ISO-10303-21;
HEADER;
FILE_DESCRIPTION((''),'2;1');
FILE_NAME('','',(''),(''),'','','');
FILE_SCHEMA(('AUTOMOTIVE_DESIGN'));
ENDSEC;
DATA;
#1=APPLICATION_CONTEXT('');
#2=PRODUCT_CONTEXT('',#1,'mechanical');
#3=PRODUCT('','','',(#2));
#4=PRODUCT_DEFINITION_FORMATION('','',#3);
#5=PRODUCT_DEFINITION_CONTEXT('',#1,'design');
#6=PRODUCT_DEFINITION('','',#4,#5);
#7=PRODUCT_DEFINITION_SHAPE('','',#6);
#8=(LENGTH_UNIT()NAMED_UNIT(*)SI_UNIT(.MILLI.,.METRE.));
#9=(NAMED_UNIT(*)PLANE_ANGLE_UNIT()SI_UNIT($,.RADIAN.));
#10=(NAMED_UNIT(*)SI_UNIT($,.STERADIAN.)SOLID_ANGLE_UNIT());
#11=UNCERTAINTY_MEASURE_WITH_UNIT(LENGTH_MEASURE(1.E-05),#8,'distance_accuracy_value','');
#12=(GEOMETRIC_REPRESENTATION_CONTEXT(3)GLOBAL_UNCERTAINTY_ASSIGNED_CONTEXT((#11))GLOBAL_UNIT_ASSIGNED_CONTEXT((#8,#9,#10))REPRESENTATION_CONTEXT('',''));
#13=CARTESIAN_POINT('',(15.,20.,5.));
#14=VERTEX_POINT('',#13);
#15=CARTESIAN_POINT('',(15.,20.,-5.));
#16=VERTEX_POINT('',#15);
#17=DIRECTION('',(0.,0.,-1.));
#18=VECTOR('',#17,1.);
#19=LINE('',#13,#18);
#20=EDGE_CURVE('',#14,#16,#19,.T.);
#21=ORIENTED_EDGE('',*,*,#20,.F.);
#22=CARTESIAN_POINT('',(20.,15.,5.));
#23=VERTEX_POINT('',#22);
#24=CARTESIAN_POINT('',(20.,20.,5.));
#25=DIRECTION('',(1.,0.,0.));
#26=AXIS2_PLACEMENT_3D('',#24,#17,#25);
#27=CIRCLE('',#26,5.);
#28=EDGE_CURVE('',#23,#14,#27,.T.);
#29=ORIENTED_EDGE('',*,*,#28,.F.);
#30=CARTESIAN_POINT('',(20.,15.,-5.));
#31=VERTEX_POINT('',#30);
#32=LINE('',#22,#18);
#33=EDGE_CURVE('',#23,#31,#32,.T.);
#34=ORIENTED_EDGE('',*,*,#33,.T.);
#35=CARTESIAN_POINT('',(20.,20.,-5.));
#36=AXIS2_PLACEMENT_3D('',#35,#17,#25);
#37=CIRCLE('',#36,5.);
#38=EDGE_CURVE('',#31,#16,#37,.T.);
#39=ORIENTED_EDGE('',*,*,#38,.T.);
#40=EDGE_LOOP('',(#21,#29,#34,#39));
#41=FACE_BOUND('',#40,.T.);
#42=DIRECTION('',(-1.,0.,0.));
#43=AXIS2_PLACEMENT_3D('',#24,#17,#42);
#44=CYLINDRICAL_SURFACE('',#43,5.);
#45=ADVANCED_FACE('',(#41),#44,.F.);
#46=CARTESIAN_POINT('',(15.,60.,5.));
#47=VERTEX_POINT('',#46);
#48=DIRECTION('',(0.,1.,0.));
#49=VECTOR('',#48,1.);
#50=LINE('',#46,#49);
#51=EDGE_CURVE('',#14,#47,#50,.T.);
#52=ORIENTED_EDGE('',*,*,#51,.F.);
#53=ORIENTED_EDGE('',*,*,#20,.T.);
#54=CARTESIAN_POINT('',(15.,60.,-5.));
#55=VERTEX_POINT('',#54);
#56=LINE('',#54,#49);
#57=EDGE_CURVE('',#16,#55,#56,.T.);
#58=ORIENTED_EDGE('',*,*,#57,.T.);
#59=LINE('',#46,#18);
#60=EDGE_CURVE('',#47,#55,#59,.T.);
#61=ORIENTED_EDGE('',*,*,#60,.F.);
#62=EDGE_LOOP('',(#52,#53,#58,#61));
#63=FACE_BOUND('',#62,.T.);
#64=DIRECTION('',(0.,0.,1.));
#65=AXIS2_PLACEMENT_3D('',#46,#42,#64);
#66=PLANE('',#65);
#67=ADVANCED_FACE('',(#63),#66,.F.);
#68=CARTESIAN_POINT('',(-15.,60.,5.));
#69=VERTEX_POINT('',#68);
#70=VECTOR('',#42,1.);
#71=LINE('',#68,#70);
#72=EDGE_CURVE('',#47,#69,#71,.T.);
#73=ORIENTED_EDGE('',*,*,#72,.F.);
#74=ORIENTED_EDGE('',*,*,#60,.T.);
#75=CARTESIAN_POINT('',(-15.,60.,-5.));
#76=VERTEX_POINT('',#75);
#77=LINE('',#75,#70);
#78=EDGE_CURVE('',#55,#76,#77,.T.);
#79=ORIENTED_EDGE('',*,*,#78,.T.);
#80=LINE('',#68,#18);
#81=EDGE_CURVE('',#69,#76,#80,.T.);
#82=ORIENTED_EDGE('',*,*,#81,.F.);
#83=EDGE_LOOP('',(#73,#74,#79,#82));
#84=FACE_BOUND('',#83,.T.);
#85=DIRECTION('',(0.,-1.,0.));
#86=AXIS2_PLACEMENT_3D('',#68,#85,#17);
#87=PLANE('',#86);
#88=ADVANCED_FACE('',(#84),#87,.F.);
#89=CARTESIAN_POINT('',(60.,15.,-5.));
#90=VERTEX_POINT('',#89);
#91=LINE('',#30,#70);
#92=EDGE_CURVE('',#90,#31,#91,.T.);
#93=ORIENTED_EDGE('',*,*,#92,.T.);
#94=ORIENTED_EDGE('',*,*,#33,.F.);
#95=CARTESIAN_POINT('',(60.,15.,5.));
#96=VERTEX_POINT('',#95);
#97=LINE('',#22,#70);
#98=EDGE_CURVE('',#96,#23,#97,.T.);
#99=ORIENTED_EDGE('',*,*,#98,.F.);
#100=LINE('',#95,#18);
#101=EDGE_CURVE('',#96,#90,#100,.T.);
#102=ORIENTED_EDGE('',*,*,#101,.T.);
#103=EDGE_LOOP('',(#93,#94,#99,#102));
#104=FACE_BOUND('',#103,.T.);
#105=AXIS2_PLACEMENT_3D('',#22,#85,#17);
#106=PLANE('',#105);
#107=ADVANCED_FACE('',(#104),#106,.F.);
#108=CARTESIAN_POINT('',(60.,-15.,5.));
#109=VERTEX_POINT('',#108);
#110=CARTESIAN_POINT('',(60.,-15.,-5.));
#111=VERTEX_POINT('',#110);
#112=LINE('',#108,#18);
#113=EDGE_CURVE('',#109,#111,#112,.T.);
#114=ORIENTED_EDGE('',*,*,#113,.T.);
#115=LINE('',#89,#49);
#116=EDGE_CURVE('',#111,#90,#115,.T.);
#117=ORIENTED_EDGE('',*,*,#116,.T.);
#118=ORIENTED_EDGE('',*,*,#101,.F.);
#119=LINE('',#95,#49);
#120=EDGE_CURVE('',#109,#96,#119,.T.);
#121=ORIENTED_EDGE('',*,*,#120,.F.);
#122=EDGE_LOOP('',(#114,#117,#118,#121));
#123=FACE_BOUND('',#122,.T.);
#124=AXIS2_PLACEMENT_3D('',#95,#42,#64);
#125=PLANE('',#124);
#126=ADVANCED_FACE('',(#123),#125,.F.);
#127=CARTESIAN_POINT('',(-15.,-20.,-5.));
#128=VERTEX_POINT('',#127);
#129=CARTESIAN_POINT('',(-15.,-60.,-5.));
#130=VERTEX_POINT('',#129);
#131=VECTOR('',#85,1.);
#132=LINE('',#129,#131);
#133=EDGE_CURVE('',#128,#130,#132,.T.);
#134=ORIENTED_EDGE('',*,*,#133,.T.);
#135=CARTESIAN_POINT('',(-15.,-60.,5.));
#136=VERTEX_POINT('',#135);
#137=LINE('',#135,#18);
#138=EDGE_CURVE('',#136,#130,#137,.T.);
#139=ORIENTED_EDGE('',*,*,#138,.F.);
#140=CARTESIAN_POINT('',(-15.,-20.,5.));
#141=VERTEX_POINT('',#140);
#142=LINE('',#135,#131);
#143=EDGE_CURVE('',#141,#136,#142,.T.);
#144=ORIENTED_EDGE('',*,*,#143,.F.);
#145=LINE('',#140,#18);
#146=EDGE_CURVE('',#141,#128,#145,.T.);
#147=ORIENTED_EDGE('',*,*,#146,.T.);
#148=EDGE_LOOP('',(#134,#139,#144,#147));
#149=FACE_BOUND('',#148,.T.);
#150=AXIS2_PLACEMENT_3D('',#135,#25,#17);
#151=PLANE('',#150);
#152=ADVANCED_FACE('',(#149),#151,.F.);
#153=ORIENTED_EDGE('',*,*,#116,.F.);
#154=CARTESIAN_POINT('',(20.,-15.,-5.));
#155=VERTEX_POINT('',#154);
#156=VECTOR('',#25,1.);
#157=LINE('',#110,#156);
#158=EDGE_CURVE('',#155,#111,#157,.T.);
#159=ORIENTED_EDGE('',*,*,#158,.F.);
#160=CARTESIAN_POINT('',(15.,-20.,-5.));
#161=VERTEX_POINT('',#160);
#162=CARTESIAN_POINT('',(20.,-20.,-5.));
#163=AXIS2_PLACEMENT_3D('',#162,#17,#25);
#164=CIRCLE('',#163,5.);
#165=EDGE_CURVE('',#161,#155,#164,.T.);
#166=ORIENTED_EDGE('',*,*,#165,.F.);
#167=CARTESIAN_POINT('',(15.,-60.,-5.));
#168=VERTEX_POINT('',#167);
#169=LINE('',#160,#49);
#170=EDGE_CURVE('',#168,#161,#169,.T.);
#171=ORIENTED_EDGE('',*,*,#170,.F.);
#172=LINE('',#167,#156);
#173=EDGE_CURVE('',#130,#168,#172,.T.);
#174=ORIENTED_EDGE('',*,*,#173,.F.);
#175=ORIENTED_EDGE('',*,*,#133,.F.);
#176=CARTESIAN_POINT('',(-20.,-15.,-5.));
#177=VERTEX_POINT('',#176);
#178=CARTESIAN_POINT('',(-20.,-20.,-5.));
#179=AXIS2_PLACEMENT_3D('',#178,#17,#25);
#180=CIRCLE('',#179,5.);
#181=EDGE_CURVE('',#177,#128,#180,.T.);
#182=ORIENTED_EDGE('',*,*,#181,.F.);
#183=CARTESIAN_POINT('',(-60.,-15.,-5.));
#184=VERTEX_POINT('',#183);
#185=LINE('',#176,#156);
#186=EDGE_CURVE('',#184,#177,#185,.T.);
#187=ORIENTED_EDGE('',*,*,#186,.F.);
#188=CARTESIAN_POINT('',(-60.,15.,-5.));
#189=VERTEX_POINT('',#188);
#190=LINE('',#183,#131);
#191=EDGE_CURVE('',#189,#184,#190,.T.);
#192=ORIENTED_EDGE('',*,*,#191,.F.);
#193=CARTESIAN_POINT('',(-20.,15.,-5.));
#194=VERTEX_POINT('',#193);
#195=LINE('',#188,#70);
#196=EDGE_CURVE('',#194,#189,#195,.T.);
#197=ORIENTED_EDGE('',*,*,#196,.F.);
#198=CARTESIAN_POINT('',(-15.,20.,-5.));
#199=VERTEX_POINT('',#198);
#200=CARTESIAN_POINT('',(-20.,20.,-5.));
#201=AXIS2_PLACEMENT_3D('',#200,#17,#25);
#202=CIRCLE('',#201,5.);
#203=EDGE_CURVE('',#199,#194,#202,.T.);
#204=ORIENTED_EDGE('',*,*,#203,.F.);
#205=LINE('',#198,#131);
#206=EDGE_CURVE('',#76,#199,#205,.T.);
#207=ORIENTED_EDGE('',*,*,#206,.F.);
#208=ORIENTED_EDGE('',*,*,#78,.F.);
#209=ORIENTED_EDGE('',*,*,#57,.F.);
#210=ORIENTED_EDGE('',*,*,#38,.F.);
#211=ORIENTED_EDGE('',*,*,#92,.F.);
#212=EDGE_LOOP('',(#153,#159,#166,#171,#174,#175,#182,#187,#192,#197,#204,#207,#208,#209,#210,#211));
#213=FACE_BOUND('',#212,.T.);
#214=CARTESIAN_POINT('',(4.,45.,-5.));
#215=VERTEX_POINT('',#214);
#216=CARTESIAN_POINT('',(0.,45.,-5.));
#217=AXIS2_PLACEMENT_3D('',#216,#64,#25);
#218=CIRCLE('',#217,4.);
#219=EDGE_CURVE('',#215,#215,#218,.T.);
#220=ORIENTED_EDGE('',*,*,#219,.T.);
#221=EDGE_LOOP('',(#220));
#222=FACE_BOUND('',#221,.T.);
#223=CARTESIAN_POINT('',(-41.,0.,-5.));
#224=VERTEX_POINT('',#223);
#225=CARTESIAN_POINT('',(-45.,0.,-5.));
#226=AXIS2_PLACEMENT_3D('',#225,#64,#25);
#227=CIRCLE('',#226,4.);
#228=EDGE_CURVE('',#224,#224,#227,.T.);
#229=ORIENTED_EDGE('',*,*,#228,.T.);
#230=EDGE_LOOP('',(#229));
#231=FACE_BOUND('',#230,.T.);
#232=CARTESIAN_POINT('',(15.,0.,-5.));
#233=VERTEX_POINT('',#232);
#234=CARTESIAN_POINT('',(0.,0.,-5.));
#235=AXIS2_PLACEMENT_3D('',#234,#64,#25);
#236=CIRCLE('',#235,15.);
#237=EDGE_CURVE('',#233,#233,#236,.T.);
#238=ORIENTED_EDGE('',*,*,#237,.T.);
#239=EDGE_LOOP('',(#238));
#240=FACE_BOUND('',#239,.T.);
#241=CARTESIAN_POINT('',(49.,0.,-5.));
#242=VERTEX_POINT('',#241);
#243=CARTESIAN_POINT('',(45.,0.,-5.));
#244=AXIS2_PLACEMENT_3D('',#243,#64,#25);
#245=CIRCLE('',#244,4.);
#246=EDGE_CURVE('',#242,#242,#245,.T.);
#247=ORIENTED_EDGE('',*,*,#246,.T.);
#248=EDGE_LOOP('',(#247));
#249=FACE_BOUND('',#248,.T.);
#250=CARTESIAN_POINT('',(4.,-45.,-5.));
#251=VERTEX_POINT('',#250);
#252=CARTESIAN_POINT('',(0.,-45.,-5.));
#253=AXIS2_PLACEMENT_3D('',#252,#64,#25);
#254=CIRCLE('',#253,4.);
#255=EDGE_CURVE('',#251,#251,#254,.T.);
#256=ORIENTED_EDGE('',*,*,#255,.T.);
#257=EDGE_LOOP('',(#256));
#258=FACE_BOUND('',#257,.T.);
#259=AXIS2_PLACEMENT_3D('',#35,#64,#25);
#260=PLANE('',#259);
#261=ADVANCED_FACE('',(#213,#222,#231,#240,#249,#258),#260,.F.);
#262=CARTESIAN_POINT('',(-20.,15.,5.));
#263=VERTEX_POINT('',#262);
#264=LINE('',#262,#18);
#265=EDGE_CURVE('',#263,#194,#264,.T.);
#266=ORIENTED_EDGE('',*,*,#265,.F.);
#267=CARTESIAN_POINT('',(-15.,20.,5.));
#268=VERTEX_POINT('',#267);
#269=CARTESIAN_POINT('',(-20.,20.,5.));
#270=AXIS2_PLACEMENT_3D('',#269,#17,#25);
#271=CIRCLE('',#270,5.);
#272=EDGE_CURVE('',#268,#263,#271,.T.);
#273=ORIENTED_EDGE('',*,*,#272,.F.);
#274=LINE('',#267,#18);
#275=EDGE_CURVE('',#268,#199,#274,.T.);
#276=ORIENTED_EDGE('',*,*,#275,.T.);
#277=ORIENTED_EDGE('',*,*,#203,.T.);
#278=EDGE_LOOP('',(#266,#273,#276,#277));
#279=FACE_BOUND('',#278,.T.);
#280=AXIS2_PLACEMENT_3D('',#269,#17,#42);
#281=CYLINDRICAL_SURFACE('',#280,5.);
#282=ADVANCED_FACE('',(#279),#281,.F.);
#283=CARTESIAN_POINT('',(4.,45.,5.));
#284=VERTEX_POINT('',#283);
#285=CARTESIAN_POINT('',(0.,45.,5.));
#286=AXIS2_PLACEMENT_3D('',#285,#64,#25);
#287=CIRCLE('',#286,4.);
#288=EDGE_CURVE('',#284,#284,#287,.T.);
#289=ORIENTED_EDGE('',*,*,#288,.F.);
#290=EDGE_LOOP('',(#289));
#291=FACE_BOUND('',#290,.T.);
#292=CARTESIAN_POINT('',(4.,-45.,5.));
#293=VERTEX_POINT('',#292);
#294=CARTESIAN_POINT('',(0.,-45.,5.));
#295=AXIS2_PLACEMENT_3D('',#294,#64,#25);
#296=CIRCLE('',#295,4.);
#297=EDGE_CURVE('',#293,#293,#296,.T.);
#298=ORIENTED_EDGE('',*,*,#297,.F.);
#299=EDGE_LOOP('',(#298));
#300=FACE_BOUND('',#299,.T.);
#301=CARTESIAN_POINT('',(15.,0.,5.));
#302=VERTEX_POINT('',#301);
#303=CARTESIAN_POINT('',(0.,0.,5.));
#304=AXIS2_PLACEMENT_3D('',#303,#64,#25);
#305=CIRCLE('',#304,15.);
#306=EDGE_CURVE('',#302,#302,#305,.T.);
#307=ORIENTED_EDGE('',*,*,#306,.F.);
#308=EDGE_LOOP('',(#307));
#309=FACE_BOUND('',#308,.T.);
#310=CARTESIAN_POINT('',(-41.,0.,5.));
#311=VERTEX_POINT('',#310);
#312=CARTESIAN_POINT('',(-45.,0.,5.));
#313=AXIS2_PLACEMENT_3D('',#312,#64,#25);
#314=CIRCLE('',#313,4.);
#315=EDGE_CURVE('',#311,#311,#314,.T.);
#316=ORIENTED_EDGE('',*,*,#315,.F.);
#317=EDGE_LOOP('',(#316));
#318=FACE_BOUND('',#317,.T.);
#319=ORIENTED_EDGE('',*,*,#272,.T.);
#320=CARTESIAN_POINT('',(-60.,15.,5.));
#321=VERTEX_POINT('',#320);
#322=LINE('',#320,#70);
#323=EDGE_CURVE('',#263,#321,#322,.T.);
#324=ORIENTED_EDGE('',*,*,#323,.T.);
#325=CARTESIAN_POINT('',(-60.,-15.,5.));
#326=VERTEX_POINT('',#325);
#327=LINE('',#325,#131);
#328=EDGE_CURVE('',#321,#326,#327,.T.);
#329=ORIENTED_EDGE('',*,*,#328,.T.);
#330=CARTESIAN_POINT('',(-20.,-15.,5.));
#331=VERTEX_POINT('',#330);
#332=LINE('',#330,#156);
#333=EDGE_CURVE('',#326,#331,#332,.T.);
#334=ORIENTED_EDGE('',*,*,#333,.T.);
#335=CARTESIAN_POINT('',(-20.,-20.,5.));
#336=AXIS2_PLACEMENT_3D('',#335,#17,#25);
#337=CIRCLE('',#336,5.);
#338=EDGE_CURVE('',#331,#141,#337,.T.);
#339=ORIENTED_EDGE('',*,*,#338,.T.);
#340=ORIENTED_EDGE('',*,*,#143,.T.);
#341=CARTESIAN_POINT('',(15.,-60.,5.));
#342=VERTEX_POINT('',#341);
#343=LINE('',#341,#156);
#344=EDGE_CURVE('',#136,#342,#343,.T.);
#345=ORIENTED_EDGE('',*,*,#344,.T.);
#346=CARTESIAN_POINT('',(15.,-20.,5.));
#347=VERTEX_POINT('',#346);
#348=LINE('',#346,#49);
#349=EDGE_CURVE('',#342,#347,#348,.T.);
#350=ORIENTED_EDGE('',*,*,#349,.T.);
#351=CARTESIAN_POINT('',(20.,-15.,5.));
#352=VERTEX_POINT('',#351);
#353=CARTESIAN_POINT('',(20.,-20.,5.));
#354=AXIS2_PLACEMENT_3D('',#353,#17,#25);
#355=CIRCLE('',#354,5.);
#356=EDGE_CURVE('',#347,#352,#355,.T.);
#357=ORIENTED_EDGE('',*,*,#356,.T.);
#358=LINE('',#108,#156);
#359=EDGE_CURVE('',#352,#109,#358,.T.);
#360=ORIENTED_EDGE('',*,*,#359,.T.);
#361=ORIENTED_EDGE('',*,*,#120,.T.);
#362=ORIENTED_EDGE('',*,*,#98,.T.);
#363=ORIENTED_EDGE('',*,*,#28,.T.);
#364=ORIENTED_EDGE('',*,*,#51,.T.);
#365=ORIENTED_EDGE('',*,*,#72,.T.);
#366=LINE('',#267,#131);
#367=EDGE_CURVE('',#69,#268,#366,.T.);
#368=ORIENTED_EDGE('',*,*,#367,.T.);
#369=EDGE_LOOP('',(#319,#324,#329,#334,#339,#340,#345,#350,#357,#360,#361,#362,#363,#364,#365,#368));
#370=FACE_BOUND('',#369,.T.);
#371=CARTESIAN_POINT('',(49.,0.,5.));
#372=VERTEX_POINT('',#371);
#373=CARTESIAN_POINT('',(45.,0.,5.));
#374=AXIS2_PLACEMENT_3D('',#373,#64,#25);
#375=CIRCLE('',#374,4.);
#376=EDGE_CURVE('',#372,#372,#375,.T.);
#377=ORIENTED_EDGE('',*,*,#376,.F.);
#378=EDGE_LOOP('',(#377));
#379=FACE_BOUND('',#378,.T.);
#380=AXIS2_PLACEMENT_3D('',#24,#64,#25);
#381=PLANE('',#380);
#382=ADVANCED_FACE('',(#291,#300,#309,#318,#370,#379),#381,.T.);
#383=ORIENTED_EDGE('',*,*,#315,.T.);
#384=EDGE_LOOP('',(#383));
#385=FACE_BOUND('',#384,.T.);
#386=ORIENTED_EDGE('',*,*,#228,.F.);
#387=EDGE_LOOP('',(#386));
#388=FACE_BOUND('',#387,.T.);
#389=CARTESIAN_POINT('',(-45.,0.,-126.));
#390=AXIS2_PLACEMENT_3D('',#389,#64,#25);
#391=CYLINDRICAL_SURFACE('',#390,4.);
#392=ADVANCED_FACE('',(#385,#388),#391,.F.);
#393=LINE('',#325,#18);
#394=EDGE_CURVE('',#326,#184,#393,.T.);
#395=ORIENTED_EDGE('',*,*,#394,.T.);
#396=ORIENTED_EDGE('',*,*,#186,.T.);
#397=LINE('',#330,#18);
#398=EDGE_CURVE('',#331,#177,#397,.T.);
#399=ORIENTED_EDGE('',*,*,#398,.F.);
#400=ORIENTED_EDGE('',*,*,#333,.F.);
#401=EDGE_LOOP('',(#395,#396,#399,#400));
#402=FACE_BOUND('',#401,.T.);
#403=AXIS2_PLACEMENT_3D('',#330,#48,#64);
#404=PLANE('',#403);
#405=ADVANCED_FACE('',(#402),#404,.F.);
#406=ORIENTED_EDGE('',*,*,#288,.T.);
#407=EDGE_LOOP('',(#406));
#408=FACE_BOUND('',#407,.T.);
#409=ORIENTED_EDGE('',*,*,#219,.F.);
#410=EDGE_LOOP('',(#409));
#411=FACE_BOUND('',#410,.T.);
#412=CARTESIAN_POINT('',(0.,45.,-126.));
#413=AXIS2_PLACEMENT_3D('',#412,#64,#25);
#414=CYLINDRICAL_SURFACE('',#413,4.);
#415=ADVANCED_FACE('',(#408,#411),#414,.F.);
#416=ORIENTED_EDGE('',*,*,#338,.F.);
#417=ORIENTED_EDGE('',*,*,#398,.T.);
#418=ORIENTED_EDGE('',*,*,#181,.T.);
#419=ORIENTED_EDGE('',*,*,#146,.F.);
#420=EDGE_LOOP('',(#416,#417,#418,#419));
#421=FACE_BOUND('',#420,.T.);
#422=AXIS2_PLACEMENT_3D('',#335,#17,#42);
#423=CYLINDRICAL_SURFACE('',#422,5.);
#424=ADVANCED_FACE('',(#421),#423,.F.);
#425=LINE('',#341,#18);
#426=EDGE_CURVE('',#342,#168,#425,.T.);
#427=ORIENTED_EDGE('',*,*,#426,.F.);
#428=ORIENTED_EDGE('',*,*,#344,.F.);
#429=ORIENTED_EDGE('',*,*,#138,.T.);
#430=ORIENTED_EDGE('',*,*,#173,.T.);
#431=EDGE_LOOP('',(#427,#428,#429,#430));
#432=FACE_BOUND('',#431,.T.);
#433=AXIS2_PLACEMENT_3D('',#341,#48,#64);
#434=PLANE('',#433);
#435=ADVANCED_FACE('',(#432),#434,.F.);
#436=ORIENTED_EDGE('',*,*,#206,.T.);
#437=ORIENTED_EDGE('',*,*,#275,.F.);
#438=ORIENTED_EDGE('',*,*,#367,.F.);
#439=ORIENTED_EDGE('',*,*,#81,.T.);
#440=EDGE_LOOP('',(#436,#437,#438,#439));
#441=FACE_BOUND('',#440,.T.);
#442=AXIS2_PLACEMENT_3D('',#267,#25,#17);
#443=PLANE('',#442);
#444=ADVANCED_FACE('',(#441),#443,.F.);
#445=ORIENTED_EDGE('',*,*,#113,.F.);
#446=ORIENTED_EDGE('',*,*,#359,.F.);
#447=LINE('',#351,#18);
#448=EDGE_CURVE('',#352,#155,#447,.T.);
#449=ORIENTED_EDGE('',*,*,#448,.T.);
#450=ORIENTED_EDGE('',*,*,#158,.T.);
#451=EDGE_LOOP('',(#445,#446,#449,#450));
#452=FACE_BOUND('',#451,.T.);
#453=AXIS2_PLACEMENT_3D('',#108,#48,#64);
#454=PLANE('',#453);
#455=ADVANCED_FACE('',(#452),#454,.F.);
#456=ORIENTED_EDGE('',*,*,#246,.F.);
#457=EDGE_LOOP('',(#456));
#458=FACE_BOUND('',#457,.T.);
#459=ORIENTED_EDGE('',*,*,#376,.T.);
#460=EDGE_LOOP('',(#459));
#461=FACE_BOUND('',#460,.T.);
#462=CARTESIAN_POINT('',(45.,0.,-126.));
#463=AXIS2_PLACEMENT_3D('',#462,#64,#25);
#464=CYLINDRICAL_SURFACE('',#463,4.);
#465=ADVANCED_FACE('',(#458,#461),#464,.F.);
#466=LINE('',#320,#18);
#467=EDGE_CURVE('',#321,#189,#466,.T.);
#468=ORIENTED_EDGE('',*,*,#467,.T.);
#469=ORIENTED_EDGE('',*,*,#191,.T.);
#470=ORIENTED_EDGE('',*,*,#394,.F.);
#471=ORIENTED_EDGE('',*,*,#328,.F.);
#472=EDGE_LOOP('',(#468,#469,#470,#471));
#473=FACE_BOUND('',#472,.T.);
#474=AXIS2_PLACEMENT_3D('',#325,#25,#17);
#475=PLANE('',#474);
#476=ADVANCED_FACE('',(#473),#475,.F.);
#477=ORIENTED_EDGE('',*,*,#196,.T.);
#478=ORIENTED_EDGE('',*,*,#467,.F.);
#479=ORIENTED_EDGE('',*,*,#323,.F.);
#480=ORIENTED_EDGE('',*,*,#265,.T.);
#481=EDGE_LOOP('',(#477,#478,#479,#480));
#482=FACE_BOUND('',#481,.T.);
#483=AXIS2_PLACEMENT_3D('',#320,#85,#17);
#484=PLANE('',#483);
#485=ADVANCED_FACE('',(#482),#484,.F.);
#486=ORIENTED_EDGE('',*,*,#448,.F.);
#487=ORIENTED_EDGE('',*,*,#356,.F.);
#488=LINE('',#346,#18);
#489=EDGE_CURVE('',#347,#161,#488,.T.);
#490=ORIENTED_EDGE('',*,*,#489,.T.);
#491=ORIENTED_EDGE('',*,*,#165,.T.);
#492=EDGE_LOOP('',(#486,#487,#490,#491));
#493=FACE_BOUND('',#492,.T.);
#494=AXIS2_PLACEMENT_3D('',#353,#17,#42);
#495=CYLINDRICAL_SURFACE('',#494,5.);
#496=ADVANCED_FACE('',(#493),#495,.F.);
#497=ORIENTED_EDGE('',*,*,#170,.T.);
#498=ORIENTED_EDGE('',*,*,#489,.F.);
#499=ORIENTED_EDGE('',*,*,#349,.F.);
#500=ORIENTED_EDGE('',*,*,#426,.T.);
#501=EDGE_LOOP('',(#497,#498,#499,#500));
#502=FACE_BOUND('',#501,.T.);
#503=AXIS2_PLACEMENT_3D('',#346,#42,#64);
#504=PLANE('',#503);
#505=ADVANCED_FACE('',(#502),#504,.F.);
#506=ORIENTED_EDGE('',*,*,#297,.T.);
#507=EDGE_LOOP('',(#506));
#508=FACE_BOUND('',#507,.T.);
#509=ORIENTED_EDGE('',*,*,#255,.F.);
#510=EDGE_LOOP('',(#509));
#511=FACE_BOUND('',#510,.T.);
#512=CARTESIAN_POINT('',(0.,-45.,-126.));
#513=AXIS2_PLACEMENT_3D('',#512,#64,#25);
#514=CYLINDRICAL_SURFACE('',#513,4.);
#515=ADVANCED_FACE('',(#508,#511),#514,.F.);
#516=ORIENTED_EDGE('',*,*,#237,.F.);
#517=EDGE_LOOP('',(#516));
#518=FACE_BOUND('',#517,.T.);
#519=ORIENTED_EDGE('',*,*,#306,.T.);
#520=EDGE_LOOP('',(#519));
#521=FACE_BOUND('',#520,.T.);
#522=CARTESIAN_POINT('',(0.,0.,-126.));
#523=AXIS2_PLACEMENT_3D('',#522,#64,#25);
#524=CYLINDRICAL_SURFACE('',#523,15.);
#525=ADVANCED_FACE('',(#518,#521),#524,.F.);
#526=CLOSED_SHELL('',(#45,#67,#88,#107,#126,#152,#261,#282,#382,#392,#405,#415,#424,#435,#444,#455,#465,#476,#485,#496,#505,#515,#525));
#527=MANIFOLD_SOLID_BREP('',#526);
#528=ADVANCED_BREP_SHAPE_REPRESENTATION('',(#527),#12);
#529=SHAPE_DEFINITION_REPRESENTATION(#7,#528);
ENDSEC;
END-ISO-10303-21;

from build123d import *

# Parameters (mm, degrees)
EXTRUDE_6_DEPTH     = 10
SKETCH_7_R          = 15
CUT_EXTRUDE_1_DEPTH = 121
SKETCH_8_R          = 4
CUT_EXTRUDE_2_DEPTH = 121


with BuildPart() as part:
    # 草图6 → 凸台-拉伸6 (new body)
    with BuildSketch(Plane.XY.offset(-5)):
        with BuildLine():
            Line((-15, 60), (15, 60))
            Line((15, 60), (15, 20))
            ThreePointArc((15, 20), (16.464466094, 16.464466094), (20, 15))
            Line((20, 15), (60, 15))
            Line((60, 15), (60, -15))
            Line((60, -15), (20, -15))
            ThreePointArc((20, -15), (16.464466094, -16.464466094), (15, -20))
            Line((15, -20), (15, -60))
            Line((15, -60), (-15, -60))
            Line((-15, -60), (-15, -20))
            ThreePointArc((-15, -20), (-16.464466094, -16.464466094), (-20, -15))
            Line((-20, -15), (-60, -15))
            Line((-60, -15), (-60, 15))
            Line((-60, 15), (-20, 15))
            ThreePointArc((-20, 15), (-16.464466094, 16.464466094), (-15, 20))
            Line((-15, 20), (-15, 60))
        make_face()
    extrude(amount=EXTRUDE_6_DEPTH)

    # 草图7 → 切除-拉伸1 (cut, symmetric)
    with BuildSketch(Plane.XY.offset(-5)):
        Circle(SKETCH_7_R)
    extrude(amount=CUT_EXTRUDE_1_DEPTH, both=True, mode=Mode.SUBTRACT)

    # 草图8 → 切除-拉伸2 (cut, symmetric)
    with BuildSketch(Plane.XY.offset(-5)):
        with Locations((45, 0)):
            Circle(SKETCH_8_R)
        with Locations((-45, 0)):
            Circle(SKETCH_8_R)
        with Locations((0, 45)):
            Circle(SKETCH_8_R)
        with Locations((0, -45)):
            Circle(SKETCH_8_R)
    extrude(amount=CUT_EXTRUDE_2_DEPTH, both=True, mode=Mode.SUBTRACT)


solid = part.part
